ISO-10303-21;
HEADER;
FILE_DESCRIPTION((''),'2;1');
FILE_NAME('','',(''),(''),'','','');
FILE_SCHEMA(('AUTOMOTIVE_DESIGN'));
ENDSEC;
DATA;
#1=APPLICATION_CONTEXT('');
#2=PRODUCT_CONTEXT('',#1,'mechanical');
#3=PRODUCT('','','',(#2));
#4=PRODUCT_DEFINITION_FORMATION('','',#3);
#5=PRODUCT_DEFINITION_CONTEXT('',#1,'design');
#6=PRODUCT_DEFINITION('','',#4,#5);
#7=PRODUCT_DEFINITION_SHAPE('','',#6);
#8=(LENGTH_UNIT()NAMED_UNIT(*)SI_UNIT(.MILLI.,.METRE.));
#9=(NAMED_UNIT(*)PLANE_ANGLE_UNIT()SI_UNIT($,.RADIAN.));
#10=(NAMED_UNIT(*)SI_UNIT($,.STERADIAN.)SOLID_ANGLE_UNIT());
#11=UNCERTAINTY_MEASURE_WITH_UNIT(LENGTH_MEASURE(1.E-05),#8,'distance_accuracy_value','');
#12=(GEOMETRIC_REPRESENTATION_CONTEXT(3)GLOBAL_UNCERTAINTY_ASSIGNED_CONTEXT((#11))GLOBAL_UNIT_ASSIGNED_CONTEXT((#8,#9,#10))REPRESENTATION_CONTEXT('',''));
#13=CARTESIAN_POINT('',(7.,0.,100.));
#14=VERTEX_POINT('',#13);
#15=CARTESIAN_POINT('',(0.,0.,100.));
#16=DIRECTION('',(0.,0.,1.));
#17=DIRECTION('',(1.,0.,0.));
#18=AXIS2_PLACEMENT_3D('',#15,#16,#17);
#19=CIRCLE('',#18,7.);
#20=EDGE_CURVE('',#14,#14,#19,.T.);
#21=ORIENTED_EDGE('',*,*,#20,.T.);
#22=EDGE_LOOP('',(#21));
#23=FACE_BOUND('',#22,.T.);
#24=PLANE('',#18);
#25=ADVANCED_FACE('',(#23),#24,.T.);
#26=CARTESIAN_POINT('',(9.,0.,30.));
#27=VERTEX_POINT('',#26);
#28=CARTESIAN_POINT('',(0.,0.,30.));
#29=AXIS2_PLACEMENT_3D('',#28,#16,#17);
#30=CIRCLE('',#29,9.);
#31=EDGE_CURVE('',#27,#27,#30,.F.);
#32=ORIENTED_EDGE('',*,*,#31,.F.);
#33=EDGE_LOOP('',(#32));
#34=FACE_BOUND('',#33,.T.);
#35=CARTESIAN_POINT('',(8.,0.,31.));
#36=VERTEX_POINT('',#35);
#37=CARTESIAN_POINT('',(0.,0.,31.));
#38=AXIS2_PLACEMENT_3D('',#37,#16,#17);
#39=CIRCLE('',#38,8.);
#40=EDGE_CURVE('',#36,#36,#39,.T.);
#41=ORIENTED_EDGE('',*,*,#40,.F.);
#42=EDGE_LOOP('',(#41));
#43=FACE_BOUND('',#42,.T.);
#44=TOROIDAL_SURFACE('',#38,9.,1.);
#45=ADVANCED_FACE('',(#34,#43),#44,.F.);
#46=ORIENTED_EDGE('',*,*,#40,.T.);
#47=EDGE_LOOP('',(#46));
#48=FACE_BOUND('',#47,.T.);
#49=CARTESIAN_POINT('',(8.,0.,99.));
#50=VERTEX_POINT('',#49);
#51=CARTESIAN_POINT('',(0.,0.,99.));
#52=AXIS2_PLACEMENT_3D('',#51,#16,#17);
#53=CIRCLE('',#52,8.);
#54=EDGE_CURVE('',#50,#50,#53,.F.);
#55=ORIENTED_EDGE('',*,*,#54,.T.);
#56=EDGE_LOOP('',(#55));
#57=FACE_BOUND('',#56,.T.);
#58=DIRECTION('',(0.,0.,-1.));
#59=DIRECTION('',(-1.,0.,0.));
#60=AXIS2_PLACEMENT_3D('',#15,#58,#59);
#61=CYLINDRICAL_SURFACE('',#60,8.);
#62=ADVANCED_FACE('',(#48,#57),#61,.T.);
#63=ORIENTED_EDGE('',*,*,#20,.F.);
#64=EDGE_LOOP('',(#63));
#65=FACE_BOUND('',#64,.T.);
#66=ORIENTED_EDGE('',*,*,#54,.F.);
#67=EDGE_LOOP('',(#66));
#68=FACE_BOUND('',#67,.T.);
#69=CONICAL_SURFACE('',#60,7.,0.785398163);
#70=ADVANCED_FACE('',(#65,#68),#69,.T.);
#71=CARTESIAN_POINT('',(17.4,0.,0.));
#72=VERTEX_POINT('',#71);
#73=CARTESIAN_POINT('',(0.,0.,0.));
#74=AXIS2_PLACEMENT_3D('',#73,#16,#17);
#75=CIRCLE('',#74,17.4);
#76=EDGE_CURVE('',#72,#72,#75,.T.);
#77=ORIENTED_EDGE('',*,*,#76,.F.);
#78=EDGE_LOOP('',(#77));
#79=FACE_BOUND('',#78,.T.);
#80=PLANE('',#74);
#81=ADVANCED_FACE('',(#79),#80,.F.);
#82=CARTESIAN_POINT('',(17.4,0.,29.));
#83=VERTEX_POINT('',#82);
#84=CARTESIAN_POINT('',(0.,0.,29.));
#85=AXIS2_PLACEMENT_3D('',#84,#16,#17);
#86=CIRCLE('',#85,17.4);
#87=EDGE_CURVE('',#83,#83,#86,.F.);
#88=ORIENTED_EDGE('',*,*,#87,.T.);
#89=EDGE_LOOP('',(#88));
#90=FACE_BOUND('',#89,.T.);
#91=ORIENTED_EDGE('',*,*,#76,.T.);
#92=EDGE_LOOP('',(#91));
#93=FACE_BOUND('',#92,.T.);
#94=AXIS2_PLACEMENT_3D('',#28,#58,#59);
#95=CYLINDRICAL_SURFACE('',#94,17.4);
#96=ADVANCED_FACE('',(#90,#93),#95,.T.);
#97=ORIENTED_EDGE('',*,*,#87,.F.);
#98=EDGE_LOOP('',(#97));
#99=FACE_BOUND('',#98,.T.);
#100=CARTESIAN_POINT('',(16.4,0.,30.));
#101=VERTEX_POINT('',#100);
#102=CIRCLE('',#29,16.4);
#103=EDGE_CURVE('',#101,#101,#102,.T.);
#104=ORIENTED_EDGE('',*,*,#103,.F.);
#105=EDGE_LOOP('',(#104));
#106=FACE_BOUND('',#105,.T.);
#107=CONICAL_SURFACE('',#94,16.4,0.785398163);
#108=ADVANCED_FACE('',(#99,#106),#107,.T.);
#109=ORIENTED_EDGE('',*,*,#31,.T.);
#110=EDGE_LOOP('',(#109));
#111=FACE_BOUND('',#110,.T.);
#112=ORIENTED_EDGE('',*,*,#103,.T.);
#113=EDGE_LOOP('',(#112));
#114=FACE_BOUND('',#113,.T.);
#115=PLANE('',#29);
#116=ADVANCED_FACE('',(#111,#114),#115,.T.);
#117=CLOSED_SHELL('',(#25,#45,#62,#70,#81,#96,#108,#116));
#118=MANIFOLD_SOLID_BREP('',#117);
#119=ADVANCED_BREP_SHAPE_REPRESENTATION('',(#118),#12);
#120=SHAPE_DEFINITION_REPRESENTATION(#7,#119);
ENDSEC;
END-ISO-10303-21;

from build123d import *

# Parameters (mm, degrees)
SKETCH1_R     = 17.4
BODY_DEPTH    = 30
SKETCH2_R     = 8
SPIGOT_DEPTH  = 70
CHAMFERS_SIZE = 1
FILLET_2_R    = 1


with BuildPart() as part:
    # Sketch1 → Body (new body)
    with BuildSketch(Plane.XY):
        Circle(SKETCH1_R)
    extrude(amount=BODY_DEPTH)

    # Sketch2 → Spigot (add)
    with BuildSketch(Plane.XY.offset(30)):
        Circle(SKETCH2_R)
    extrude(amount=SPIGOT_DEPTH)

    # Chamfers
    chamfers_edges = [part.edges().sort_by_distance(p)[0] for p in [
        (-17.4, 0, 30),
        (-8, 0, 100),
    ]]
    chamfer(chamfers_edges, length=CHAMFERS_SIZE)

    # Fillet 2
    fillet_2_edges = [part.edges().sort_by_distance(p)[0] for p in [
        (-8, 0, 30),
    ]]
    fillet(fillet_2_edges, radius=FILLET_2_R)


solid = part.part
